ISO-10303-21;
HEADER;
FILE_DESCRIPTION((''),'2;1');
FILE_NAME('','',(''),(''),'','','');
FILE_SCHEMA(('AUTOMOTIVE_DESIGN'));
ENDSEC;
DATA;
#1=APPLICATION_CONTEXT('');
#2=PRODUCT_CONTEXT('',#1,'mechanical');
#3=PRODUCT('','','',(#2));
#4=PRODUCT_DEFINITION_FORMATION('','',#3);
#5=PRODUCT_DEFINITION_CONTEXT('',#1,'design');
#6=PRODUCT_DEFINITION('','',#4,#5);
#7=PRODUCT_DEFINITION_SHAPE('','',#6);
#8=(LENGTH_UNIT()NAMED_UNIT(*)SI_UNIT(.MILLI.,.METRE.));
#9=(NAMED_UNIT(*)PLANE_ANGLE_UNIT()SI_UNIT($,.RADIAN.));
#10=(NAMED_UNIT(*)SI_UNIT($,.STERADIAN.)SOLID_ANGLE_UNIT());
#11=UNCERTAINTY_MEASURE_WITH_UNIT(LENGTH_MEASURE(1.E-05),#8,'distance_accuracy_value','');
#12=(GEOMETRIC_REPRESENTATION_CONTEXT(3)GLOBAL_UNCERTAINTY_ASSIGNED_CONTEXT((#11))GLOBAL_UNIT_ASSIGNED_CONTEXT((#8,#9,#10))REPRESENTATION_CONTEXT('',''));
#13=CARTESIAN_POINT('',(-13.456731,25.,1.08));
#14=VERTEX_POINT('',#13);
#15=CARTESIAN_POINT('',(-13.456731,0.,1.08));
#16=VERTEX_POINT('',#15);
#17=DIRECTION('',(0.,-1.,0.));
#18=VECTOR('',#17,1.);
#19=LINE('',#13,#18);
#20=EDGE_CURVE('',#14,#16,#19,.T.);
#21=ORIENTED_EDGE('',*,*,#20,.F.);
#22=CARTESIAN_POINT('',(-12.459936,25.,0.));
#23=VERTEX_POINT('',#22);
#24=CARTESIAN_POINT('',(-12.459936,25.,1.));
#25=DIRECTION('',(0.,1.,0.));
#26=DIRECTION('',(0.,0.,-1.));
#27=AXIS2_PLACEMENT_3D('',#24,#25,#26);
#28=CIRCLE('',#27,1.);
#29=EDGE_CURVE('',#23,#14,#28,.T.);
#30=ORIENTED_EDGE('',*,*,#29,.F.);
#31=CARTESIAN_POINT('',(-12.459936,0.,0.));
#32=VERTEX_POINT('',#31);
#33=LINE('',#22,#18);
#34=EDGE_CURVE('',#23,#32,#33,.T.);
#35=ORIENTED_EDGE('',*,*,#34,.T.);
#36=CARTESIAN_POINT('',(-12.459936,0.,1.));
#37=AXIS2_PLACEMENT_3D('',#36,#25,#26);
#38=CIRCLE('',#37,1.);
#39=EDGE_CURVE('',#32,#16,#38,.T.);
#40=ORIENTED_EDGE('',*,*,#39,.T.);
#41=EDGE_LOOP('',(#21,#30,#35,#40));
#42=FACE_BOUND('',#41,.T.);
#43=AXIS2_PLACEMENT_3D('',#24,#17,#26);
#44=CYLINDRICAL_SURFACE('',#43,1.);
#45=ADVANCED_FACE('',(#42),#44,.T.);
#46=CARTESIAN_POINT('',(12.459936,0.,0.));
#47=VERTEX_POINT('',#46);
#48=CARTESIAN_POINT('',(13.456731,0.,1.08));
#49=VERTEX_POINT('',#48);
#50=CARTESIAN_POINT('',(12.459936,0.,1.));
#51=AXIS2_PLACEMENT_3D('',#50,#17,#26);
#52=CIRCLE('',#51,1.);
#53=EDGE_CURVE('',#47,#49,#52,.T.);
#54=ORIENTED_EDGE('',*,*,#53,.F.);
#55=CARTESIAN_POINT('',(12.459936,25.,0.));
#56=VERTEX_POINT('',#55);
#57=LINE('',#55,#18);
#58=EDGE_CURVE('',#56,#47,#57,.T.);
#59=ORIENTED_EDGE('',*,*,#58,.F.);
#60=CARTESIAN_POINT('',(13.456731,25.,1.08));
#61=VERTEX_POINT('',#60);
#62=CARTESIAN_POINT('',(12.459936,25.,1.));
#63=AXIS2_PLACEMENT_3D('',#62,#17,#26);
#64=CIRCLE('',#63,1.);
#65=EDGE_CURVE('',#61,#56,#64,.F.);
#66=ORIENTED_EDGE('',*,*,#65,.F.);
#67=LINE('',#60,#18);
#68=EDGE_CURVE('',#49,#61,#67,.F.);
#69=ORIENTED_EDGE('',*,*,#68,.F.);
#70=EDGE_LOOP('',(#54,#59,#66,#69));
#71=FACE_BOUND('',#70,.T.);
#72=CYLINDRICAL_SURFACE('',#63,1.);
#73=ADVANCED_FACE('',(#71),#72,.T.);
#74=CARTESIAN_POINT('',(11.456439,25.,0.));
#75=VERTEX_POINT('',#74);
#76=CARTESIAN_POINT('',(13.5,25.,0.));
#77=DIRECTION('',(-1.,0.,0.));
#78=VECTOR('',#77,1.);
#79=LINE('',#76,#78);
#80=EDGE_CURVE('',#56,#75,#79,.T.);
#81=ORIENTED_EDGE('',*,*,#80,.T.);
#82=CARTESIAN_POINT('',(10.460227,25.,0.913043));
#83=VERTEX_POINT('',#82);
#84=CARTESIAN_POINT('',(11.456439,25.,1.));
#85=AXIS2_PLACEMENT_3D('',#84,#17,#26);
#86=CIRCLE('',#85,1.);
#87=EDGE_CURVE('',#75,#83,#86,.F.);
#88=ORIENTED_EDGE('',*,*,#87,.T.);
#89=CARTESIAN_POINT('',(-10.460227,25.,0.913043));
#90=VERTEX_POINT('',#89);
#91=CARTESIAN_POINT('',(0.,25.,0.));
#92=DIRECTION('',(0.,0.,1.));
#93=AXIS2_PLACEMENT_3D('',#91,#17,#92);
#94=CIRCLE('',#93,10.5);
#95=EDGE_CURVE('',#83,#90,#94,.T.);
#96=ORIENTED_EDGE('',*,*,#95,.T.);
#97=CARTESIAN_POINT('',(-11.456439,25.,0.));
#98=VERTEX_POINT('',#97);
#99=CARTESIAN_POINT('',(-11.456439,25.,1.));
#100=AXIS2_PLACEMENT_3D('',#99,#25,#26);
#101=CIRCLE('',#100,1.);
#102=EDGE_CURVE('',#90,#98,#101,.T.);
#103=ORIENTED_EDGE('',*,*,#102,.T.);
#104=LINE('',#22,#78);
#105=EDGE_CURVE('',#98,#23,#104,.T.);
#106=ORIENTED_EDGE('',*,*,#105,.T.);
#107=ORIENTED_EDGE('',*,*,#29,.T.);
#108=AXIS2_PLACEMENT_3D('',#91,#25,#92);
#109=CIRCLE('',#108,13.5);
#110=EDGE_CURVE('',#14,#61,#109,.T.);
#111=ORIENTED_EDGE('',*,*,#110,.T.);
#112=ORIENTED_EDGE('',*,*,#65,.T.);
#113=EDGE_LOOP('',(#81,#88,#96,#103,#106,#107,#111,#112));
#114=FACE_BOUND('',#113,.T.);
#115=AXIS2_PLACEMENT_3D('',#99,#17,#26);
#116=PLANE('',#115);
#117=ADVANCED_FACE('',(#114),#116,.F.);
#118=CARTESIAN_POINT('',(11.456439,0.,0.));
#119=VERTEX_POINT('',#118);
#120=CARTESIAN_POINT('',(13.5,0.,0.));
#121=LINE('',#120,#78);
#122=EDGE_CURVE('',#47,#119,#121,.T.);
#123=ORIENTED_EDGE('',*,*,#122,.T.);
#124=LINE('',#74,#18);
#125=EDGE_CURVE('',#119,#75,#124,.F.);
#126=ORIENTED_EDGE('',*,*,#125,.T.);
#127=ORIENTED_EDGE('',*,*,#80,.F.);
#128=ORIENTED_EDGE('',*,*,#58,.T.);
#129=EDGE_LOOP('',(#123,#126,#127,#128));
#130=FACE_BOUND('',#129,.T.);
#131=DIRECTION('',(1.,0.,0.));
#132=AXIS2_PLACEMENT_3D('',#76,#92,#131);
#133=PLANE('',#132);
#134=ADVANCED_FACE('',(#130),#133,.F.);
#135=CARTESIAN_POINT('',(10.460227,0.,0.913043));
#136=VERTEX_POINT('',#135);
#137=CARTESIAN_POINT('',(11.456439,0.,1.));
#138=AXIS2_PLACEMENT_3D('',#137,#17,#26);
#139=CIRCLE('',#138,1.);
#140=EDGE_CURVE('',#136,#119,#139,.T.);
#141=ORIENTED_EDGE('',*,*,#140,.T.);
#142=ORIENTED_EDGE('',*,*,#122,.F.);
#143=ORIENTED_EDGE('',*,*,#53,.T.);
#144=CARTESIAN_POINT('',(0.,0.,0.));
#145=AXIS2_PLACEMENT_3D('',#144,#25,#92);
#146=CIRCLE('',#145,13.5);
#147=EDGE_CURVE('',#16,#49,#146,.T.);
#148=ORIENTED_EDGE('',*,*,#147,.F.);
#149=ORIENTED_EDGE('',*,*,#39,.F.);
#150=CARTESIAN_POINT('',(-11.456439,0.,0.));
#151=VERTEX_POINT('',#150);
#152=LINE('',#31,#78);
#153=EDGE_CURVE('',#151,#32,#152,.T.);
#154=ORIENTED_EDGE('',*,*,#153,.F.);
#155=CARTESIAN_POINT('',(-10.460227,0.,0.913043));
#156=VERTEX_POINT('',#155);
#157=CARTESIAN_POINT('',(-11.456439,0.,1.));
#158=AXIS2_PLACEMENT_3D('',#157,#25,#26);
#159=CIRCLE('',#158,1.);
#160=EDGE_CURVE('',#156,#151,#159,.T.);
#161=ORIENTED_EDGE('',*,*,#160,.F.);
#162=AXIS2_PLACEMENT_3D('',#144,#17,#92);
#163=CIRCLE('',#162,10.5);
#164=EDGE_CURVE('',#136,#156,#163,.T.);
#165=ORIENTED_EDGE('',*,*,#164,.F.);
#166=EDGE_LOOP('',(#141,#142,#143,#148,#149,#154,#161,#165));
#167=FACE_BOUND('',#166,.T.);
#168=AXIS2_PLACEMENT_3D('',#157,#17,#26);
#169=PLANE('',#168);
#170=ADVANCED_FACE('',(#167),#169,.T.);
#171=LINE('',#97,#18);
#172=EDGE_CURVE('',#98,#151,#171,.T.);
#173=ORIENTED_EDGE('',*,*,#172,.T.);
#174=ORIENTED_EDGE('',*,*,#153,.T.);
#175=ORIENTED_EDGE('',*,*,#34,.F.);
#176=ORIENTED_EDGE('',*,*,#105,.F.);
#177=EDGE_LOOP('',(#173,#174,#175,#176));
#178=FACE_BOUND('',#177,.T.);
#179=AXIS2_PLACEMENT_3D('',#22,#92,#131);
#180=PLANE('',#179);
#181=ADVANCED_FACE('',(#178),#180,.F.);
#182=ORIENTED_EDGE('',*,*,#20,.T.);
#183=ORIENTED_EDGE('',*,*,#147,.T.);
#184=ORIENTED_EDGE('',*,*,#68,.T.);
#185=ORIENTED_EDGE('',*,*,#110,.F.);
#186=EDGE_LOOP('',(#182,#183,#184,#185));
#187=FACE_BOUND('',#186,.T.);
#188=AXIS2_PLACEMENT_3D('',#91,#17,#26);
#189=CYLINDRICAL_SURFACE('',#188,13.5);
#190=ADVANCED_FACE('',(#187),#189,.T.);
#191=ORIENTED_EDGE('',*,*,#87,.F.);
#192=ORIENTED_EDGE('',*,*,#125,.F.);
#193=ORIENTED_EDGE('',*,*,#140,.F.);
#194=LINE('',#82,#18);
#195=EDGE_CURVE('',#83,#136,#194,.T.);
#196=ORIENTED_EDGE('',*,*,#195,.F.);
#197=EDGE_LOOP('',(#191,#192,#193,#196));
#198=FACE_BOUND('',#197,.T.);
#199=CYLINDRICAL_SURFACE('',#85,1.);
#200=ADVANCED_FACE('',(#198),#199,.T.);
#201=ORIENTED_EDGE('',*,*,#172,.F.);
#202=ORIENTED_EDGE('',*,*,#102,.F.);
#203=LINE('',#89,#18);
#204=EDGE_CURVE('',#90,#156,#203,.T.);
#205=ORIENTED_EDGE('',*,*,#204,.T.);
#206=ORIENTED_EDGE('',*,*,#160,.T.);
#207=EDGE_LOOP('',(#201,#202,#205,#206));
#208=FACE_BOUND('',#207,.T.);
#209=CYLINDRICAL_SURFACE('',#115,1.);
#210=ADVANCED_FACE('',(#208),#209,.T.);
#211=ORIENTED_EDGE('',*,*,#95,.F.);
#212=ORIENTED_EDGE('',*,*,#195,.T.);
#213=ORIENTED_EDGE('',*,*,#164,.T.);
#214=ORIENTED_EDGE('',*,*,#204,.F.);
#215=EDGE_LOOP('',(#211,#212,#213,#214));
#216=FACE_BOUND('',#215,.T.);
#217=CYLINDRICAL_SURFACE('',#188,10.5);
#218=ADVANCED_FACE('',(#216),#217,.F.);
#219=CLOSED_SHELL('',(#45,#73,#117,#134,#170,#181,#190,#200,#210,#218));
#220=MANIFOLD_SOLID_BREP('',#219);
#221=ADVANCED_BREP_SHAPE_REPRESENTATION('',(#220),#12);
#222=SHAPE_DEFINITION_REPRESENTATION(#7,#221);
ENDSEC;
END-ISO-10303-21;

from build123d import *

# Parameters (mm, degrees)
EXTRUDE_1_DEPTH = 25
FILLET_2_R      = 1


with BuildPart() as part:
    # Эскиз1 → Бобышка-Вытянуть1 (new body)
    with BuildSketch(Plane(origin=(0, 0, 0), x_dir=(1, 0, 0), z_dir=(0, 1, 0))):
        with BuildLine():
            Line((-12.459935794, 0), (-11.456439237, 0))
            ThreePointArc((-11.456439237, 0), (-10.780775313, -0.262790219), (-10.46022713, -0.913043478))
            ThreePointArc((-10.46022713, -0.913043478), (0.456954668, -10.49005207), (10.5, 0))
            Line((10.5, 0), (13.5, 0))
            ThreePointArc((13.5, 0), (0.540433214, -13.489178327), (-13.456730658, -1.08))
            ThreePointArc((-13.456730658, -1.08), (-13.194782717, -0.321767002), (-12.459935794, 0))
        make_face()
    extrude(amount=EXTRUDE_1_DEPTH)

    # Скругление2
    fillet_2_edges = [part.edges().sort_by_distance(p)[0] for p in [
        (10.5, 12.5, 0),
        (13.5, 12.5, 0),
    ]]
    fillet(fillet_2_edges, radius=FILLET_2_R)


solid = part.part
